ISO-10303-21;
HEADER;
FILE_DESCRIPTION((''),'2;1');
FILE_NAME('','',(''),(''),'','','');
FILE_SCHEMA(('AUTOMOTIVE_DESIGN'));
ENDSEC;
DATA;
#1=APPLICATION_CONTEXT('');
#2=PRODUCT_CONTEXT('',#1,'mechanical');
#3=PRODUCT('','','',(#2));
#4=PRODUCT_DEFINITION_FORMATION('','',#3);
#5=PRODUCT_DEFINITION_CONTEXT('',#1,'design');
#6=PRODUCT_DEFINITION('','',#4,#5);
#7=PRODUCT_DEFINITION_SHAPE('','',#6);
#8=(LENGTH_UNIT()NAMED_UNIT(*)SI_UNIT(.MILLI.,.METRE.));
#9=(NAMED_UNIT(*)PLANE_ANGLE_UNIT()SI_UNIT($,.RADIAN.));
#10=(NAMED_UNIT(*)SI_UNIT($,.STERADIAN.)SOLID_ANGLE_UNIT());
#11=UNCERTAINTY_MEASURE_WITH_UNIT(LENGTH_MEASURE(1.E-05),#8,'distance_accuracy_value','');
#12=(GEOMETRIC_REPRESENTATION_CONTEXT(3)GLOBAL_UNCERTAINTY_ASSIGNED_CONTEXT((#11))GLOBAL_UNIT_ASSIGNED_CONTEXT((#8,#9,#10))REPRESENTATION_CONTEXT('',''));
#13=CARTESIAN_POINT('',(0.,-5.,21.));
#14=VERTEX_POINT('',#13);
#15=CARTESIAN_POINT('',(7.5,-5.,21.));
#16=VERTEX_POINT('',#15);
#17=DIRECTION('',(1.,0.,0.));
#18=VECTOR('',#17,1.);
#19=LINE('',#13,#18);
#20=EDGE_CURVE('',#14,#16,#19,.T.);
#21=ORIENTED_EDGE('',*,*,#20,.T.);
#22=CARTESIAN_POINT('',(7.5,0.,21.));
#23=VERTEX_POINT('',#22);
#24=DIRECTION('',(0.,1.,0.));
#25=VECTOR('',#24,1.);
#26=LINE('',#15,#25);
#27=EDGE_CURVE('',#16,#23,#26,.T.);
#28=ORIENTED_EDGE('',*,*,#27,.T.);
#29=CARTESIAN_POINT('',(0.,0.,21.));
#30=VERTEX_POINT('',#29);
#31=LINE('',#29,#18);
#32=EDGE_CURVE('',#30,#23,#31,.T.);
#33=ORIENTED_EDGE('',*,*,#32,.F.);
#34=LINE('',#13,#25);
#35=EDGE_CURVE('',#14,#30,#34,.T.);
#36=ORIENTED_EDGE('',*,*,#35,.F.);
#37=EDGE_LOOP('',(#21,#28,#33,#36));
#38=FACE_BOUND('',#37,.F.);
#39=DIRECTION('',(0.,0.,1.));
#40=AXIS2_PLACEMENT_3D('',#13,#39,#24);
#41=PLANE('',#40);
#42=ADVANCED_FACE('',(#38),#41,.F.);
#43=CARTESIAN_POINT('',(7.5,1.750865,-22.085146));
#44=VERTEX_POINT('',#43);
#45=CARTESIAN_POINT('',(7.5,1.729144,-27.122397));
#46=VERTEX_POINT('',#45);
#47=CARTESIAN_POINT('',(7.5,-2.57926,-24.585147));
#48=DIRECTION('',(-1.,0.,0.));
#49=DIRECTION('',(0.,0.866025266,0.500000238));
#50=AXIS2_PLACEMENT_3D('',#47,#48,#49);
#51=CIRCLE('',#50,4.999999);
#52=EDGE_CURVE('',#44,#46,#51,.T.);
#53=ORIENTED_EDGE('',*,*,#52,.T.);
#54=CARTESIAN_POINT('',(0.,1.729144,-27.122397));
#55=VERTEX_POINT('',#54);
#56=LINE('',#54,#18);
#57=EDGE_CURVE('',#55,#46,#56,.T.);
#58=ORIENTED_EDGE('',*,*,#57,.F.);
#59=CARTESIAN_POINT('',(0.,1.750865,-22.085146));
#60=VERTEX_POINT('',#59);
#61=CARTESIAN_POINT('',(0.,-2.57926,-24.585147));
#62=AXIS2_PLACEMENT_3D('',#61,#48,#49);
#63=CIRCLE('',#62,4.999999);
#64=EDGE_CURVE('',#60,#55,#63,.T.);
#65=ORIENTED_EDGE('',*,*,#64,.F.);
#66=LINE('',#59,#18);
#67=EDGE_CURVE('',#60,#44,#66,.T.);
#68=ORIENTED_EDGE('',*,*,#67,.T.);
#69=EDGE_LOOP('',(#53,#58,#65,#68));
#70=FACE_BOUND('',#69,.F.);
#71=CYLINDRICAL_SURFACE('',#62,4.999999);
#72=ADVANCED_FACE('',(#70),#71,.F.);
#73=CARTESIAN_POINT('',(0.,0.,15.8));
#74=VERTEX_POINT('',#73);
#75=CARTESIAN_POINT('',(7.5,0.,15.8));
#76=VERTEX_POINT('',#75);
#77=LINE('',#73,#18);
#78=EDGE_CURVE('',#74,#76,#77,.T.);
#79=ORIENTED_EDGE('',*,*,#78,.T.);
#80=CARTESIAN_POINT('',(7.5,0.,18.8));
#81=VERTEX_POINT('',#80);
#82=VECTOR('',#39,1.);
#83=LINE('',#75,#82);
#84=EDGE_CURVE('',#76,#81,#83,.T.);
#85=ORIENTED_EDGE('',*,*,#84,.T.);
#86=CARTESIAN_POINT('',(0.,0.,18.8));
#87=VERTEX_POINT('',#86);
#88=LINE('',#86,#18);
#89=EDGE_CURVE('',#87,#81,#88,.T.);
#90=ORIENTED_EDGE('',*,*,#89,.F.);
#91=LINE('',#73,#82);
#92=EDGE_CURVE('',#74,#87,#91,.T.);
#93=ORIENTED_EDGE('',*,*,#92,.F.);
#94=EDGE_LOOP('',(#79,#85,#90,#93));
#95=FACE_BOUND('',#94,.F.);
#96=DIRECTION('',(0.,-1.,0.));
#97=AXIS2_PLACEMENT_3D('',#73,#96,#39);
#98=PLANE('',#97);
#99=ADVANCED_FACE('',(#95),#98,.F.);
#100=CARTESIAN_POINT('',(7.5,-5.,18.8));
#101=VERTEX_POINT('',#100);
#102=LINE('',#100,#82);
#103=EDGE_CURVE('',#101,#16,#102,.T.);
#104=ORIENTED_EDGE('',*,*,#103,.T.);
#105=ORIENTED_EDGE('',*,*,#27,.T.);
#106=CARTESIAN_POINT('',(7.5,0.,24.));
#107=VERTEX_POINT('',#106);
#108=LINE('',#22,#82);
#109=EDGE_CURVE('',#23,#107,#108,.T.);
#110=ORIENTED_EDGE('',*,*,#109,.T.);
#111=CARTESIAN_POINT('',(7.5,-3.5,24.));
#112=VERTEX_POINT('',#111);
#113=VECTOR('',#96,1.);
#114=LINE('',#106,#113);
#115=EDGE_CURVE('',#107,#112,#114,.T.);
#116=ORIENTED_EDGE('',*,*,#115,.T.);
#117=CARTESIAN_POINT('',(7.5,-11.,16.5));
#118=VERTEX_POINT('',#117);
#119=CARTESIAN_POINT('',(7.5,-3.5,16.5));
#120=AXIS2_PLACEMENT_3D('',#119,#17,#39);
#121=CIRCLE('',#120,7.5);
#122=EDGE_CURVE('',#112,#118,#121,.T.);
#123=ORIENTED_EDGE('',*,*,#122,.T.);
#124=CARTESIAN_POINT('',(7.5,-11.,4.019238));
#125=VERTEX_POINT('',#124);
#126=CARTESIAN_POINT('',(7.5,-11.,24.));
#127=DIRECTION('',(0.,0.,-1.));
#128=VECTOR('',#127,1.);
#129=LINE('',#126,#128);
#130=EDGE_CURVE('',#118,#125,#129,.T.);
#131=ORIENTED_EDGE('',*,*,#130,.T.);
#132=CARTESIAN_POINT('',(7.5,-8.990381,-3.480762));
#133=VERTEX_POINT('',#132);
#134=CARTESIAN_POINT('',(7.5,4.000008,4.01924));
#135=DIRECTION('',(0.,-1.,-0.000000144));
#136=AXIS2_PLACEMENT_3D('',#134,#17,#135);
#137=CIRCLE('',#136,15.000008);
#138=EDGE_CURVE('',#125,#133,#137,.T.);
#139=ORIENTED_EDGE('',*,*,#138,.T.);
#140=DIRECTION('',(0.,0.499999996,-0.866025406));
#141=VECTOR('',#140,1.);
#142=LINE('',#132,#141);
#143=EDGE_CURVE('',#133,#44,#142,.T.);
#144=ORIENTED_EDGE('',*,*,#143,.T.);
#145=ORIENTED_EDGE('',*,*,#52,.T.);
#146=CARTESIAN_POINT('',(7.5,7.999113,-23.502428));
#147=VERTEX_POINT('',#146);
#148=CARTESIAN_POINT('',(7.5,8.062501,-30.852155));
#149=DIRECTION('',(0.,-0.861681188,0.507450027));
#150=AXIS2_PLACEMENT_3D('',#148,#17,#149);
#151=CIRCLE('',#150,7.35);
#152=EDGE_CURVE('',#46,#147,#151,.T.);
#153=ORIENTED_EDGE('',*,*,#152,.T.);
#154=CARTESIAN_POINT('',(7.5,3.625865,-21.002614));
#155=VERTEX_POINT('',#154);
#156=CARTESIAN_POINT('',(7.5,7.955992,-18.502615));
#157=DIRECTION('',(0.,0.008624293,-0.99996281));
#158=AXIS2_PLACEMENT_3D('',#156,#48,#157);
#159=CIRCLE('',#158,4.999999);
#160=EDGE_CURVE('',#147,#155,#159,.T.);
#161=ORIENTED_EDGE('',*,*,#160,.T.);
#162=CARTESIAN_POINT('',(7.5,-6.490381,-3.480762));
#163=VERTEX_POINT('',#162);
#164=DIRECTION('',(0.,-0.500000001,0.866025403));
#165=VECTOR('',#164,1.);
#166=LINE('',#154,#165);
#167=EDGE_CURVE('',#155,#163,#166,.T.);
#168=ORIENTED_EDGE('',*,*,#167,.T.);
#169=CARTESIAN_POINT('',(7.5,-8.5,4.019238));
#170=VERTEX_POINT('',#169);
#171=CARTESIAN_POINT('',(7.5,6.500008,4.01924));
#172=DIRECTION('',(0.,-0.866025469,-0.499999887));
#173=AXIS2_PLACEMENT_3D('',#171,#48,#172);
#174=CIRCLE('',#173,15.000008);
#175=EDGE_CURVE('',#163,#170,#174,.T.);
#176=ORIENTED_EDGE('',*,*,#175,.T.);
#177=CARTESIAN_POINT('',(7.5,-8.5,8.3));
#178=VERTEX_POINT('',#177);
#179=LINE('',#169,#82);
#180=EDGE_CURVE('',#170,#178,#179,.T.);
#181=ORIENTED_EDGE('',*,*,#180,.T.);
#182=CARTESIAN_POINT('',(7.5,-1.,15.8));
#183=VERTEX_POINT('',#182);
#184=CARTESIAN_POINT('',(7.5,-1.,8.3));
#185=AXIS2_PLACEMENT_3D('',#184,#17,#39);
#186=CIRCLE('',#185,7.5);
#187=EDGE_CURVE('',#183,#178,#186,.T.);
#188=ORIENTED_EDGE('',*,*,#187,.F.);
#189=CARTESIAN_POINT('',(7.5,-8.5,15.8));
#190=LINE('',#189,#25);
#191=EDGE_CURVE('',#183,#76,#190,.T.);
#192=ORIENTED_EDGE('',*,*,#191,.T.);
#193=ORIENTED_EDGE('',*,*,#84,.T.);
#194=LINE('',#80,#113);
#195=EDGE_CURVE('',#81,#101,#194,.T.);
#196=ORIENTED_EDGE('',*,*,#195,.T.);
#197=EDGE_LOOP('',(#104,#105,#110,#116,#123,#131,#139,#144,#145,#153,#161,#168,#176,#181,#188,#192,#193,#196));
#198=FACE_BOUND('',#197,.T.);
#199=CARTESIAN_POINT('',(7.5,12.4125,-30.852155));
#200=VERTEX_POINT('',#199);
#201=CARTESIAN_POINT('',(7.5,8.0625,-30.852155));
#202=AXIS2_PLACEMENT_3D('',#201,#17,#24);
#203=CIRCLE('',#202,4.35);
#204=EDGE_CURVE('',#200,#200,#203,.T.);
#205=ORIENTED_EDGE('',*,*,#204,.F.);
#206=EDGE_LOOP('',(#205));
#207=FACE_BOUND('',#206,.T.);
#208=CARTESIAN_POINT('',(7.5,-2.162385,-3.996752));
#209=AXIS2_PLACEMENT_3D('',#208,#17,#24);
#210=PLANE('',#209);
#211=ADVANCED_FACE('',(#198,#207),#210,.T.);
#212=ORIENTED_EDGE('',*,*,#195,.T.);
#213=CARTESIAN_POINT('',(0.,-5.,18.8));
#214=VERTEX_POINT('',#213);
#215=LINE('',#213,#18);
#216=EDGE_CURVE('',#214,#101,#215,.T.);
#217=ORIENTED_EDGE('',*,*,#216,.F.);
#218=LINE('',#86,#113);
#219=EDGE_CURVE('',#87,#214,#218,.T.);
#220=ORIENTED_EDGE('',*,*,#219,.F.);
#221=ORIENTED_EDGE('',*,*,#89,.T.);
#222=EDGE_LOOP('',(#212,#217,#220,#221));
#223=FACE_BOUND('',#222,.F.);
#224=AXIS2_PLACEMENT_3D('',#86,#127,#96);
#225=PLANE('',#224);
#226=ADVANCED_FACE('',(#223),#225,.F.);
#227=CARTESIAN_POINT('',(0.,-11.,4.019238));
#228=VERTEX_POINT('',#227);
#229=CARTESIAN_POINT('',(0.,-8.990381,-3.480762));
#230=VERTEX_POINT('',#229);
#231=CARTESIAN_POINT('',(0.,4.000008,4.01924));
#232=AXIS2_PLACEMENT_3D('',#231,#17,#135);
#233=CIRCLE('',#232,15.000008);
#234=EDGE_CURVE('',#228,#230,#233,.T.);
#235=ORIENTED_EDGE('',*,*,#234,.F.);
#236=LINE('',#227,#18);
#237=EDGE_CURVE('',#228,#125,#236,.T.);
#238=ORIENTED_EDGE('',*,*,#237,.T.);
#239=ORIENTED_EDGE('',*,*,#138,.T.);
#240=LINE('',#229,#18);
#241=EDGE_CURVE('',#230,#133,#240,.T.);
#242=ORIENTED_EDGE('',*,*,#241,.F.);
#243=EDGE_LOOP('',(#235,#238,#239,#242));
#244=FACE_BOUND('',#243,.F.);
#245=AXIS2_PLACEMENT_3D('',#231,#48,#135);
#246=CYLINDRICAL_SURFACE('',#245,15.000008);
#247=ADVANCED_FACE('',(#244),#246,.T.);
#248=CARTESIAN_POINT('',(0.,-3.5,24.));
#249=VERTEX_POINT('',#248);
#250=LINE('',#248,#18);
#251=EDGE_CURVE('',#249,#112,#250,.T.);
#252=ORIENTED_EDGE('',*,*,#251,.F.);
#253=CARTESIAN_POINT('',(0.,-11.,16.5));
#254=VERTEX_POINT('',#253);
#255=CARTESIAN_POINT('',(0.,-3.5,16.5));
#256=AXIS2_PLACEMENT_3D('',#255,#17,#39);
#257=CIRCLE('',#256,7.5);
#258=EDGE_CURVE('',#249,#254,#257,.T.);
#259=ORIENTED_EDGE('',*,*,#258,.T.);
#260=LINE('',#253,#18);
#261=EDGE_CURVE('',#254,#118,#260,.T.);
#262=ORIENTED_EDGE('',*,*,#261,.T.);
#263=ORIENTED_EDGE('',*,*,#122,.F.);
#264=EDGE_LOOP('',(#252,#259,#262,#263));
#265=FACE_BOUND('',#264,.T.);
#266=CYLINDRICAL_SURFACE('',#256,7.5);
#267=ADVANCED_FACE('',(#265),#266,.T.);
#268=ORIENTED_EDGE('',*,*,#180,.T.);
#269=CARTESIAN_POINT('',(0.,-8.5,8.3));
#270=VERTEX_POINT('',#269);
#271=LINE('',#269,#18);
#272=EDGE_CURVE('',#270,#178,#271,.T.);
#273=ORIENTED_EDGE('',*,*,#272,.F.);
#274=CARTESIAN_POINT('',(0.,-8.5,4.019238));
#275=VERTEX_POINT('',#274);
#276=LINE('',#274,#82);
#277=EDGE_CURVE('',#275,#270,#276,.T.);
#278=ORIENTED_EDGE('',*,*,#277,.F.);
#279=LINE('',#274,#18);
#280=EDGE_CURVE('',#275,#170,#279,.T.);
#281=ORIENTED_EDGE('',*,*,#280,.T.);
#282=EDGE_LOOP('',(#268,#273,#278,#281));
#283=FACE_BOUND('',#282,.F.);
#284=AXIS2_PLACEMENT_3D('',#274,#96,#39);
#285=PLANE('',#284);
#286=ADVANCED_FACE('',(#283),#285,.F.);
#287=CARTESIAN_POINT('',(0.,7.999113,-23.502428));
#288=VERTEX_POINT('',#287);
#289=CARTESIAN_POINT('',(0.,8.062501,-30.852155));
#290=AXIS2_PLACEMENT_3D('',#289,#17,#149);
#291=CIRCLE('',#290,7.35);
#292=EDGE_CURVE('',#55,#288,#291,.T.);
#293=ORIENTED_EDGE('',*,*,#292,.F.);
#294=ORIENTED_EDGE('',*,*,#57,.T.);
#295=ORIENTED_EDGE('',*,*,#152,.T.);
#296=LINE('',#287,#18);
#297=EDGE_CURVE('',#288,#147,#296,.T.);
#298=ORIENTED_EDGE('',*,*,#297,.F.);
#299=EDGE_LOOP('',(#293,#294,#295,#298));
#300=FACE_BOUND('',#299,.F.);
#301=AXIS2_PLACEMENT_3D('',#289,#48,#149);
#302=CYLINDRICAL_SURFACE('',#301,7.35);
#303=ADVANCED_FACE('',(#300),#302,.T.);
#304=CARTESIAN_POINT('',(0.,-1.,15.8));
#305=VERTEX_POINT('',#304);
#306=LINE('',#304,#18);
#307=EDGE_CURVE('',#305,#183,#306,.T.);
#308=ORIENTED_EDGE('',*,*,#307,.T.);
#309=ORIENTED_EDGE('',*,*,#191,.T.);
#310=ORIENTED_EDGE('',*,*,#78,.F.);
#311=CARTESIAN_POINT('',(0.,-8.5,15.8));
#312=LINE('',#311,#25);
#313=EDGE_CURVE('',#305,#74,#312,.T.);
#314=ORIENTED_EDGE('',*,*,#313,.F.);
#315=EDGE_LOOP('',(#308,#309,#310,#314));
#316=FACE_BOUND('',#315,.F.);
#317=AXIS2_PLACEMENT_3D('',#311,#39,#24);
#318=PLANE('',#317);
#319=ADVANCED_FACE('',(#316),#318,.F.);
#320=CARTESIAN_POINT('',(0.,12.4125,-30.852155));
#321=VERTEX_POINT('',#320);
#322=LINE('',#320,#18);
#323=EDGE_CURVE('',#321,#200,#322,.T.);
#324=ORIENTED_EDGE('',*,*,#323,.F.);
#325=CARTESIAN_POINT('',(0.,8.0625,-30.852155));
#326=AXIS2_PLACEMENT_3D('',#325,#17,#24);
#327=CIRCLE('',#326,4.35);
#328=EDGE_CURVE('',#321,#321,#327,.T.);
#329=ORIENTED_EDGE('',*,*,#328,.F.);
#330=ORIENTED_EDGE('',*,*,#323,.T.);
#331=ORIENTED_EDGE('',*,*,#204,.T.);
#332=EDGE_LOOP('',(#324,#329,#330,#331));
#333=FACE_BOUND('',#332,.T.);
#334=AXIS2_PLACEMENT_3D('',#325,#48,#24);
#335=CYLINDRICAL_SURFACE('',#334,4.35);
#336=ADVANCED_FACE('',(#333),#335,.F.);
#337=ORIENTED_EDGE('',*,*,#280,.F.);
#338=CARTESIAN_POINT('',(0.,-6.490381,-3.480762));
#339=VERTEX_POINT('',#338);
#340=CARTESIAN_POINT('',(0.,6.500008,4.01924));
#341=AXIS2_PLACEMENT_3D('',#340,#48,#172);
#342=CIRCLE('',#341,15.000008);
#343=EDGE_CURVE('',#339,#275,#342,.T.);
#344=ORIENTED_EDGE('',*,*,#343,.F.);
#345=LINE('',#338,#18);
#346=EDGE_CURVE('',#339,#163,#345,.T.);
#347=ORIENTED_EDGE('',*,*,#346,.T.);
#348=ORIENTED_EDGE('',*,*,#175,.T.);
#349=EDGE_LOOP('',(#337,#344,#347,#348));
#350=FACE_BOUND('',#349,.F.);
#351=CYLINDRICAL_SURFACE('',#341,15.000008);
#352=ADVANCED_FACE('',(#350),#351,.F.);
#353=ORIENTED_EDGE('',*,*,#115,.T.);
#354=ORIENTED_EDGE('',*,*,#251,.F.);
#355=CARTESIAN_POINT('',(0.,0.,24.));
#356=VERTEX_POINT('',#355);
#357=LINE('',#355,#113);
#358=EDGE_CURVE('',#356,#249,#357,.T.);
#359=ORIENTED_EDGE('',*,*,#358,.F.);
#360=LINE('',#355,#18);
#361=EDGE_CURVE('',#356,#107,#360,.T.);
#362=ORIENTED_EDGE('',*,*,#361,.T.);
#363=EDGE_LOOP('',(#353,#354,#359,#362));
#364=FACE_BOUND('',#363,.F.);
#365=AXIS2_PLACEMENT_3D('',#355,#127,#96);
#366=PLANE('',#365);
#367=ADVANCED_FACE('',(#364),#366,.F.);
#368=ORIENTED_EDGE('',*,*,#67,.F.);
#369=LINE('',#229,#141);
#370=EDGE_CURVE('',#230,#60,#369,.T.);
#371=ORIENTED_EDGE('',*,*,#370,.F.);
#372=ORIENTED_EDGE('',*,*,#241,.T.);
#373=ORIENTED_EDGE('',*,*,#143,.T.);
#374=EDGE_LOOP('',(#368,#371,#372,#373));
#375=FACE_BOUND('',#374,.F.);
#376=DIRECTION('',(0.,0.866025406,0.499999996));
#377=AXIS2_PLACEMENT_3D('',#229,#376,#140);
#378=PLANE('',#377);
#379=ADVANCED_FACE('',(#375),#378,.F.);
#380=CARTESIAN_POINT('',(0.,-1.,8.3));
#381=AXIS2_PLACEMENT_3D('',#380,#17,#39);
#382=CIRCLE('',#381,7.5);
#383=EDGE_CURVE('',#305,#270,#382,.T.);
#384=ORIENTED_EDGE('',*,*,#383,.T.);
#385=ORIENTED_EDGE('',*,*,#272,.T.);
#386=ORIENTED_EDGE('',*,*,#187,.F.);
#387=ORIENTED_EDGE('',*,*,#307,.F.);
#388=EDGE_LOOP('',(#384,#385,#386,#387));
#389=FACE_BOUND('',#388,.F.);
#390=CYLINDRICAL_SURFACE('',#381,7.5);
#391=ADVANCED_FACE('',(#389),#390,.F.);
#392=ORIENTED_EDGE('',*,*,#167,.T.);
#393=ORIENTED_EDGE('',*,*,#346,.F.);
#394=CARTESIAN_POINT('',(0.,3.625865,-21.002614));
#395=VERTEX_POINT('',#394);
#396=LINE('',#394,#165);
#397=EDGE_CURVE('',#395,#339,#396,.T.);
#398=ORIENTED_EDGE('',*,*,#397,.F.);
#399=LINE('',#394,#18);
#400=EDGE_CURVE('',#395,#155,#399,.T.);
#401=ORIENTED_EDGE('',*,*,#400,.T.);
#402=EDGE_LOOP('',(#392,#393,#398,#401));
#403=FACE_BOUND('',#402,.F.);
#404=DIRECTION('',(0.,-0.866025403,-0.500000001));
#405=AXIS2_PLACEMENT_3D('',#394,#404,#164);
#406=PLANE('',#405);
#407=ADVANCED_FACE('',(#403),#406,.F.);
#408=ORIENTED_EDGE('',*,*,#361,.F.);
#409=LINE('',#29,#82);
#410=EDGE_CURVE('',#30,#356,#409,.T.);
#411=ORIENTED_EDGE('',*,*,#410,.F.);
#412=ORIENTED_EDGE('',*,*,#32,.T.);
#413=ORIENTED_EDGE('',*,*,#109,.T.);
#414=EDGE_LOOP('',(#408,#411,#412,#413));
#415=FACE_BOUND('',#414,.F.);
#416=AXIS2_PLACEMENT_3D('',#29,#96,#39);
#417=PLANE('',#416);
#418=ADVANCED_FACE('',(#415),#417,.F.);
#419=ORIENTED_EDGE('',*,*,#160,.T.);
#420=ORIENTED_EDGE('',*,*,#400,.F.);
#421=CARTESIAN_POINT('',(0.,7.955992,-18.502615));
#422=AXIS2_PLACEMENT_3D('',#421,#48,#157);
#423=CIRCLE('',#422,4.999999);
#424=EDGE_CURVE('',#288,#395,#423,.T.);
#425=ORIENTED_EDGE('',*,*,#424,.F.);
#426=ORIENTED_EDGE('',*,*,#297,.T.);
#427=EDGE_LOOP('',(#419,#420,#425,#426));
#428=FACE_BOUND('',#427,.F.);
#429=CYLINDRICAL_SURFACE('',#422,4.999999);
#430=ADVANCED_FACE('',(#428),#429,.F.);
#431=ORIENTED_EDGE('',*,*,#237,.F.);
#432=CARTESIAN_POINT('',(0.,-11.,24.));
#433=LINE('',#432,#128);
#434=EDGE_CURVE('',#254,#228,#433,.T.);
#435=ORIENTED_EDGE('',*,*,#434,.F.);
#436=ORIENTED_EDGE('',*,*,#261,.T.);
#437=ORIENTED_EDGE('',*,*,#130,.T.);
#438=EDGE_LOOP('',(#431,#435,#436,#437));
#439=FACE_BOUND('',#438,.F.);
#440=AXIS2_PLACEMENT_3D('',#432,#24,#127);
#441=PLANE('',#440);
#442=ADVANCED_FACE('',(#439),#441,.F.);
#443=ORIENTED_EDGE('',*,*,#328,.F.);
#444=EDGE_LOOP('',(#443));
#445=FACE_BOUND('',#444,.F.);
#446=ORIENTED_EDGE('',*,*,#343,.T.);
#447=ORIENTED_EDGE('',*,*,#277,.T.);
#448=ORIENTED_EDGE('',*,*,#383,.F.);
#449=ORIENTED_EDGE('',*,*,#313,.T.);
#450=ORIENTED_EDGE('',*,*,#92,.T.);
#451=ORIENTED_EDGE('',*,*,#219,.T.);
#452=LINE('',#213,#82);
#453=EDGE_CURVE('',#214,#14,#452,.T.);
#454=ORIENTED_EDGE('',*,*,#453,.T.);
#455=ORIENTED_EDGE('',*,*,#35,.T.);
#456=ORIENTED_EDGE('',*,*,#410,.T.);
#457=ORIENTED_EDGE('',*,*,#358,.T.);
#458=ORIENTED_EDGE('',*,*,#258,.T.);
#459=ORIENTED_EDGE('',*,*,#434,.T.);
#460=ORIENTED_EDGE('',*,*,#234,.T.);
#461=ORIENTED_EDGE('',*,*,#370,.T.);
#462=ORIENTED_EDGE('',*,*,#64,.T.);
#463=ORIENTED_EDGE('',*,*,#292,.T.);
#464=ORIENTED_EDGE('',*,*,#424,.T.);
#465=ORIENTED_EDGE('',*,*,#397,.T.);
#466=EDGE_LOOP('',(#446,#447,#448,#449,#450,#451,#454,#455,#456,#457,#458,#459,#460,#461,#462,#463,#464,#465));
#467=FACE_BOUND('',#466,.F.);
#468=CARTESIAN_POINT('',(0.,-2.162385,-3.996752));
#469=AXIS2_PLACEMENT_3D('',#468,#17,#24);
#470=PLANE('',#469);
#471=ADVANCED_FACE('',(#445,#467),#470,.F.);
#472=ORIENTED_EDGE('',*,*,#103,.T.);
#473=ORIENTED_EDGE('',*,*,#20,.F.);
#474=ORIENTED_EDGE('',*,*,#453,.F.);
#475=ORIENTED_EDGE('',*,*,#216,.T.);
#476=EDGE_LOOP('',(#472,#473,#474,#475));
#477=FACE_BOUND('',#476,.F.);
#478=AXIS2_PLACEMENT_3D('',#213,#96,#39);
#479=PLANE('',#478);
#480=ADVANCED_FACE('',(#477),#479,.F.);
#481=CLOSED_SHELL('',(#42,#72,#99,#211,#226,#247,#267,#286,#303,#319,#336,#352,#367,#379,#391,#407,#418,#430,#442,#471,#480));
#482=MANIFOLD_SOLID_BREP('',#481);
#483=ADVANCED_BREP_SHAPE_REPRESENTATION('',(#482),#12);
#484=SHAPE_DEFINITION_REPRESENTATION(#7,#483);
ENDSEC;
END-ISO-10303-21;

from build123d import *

# Parameters (mm, degrees)
F0_R     = 4.35
F1_DEPTH = 7.5
F2_R     = 7.5


with BuildPart() as f1:
    # F0 (on Right) → F1 (new body)
    with BuildSketch(Plane.YZ):
        with BuildLine():
            Line((0, 15.8), (0, 18.8))
            Line((0, 18.8), (-5, 18.8))
            Line((-5, 18.8), (-5, 21))
            Line((-5, 21), (0, 21))
            Line((0, 21), (0, 24))
            Line((0, 24), (-11, 24))
            Line((-11, 24), (-11, 4.019238))
            ThreePointArc((-11, 4.019238), (-10.488887, 0.136952), (-8.990381, -3.480762))
            Line((-8.990381, -3.480762), (1.750865, -22.085146))
            ThreePointArc((1.750865, -22.085146), (2.420692, -24.606707), (1.729144, -27.122397))
            ThreePointArc((1.729144, -27.122397), (11.7375, -37.217442), (7.999113, -23.502428))
            ThreePointArc((7.999113, -23.502428), (5.474687, -22.843481), (3.625865, -21.002614))
            Line((3.625865, -21.002614), (-6.490381, -3.480762))
            ThreePointArc((-6.490381, -3.480762), (-7.988887, 0.136952), (-8.5, 4.019238))
            Line((-8.5, 4.019238), (-8.5, 15.8))
            Line((-8.5, 15.8), (0, 15.8))
        make_face()
        with Locations((8.0625, -30.852155)):
            Circle(F0_R, mode=Mode.SUBTRACT)
    extrude(amount=F1_DEPTH)

    # F2
    f2_edges = [f1.edges().sort_by_distance(p)[0] for p in [
        (3.75, -11, 24),
        (3.75, -8.5, 15.8),
    ]]
    fillet(f2_edges, radius=F2_R)


solid = f1.part
